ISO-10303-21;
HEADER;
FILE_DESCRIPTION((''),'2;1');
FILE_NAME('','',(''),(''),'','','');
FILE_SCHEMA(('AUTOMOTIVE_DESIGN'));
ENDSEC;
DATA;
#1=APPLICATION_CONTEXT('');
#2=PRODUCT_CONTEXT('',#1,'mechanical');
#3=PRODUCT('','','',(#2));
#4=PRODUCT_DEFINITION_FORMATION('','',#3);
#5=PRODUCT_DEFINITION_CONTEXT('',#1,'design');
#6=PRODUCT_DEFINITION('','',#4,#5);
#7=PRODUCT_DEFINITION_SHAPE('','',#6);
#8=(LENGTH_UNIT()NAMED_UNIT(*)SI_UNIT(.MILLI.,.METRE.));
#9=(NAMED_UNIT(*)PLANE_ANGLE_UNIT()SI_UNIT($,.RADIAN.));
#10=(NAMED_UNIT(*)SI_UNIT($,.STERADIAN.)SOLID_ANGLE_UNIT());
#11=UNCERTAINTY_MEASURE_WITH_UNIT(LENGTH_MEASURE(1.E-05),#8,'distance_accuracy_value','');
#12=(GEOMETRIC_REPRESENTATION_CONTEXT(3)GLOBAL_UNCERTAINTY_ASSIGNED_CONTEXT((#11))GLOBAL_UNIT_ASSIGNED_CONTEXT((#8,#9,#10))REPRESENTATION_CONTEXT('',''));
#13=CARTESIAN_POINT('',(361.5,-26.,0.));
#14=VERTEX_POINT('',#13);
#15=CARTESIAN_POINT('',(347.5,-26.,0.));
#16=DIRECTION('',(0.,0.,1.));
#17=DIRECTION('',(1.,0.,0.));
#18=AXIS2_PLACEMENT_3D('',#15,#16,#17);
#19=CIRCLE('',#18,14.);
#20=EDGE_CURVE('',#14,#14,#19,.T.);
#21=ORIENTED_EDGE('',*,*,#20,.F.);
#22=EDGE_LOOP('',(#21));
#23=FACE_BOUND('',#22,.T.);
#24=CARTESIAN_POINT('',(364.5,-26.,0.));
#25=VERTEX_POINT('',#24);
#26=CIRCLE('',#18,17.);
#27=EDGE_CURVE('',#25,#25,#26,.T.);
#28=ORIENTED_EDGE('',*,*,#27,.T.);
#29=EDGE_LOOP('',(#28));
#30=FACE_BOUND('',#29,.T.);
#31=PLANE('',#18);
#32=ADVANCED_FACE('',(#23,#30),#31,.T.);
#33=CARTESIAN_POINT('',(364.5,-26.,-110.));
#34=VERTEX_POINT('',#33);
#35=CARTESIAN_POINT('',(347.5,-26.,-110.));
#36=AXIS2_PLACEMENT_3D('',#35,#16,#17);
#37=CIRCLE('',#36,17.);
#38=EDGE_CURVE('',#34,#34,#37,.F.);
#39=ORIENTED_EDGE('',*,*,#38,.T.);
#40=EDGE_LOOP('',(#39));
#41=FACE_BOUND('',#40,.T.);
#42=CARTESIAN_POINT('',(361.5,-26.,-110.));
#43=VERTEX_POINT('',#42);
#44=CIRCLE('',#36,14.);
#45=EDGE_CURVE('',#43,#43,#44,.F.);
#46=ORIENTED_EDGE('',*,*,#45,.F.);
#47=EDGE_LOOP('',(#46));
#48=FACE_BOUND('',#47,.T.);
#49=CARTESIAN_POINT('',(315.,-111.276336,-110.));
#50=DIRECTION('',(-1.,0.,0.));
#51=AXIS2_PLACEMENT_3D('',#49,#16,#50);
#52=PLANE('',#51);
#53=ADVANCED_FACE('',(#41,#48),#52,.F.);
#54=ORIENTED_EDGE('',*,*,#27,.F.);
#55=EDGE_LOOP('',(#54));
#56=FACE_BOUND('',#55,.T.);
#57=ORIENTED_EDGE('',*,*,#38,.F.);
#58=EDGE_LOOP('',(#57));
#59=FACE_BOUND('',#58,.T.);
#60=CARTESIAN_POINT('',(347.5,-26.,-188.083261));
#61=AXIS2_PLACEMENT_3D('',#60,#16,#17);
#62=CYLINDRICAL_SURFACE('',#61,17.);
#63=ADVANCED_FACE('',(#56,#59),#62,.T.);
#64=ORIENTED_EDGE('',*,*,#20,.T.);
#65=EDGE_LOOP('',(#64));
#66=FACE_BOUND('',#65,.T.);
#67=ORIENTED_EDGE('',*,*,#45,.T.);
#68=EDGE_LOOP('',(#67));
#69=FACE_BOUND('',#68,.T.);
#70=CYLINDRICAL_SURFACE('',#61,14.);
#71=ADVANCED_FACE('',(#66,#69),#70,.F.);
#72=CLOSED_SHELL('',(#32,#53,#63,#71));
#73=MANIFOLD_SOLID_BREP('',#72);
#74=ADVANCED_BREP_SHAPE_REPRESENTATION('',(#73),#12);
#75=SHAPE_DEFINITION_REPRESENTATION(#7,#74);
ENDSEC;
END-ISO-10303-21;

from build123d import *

# Parameters (mm, degrees)
SKETCH1_R           = 17
SKETCH1_R_2         = 14
BOSS_EXTRUDE1_DEPTH = 110


with BuildPart() as part:
    # Sketch1 → Boss-Extrude1 (new body)
    with BuildSketch(Plane.XY):
        with Locations((347.5, -26)):
            Circle(SKETCH1_R)
        with Locations((347.5, -26)):
            Circle(SKETCH1_R_2, mode=Mode.SUBTRACT)
    extrude(amount=-BOSS_EXTRUDE1_DEPTH)


solid = part.part
